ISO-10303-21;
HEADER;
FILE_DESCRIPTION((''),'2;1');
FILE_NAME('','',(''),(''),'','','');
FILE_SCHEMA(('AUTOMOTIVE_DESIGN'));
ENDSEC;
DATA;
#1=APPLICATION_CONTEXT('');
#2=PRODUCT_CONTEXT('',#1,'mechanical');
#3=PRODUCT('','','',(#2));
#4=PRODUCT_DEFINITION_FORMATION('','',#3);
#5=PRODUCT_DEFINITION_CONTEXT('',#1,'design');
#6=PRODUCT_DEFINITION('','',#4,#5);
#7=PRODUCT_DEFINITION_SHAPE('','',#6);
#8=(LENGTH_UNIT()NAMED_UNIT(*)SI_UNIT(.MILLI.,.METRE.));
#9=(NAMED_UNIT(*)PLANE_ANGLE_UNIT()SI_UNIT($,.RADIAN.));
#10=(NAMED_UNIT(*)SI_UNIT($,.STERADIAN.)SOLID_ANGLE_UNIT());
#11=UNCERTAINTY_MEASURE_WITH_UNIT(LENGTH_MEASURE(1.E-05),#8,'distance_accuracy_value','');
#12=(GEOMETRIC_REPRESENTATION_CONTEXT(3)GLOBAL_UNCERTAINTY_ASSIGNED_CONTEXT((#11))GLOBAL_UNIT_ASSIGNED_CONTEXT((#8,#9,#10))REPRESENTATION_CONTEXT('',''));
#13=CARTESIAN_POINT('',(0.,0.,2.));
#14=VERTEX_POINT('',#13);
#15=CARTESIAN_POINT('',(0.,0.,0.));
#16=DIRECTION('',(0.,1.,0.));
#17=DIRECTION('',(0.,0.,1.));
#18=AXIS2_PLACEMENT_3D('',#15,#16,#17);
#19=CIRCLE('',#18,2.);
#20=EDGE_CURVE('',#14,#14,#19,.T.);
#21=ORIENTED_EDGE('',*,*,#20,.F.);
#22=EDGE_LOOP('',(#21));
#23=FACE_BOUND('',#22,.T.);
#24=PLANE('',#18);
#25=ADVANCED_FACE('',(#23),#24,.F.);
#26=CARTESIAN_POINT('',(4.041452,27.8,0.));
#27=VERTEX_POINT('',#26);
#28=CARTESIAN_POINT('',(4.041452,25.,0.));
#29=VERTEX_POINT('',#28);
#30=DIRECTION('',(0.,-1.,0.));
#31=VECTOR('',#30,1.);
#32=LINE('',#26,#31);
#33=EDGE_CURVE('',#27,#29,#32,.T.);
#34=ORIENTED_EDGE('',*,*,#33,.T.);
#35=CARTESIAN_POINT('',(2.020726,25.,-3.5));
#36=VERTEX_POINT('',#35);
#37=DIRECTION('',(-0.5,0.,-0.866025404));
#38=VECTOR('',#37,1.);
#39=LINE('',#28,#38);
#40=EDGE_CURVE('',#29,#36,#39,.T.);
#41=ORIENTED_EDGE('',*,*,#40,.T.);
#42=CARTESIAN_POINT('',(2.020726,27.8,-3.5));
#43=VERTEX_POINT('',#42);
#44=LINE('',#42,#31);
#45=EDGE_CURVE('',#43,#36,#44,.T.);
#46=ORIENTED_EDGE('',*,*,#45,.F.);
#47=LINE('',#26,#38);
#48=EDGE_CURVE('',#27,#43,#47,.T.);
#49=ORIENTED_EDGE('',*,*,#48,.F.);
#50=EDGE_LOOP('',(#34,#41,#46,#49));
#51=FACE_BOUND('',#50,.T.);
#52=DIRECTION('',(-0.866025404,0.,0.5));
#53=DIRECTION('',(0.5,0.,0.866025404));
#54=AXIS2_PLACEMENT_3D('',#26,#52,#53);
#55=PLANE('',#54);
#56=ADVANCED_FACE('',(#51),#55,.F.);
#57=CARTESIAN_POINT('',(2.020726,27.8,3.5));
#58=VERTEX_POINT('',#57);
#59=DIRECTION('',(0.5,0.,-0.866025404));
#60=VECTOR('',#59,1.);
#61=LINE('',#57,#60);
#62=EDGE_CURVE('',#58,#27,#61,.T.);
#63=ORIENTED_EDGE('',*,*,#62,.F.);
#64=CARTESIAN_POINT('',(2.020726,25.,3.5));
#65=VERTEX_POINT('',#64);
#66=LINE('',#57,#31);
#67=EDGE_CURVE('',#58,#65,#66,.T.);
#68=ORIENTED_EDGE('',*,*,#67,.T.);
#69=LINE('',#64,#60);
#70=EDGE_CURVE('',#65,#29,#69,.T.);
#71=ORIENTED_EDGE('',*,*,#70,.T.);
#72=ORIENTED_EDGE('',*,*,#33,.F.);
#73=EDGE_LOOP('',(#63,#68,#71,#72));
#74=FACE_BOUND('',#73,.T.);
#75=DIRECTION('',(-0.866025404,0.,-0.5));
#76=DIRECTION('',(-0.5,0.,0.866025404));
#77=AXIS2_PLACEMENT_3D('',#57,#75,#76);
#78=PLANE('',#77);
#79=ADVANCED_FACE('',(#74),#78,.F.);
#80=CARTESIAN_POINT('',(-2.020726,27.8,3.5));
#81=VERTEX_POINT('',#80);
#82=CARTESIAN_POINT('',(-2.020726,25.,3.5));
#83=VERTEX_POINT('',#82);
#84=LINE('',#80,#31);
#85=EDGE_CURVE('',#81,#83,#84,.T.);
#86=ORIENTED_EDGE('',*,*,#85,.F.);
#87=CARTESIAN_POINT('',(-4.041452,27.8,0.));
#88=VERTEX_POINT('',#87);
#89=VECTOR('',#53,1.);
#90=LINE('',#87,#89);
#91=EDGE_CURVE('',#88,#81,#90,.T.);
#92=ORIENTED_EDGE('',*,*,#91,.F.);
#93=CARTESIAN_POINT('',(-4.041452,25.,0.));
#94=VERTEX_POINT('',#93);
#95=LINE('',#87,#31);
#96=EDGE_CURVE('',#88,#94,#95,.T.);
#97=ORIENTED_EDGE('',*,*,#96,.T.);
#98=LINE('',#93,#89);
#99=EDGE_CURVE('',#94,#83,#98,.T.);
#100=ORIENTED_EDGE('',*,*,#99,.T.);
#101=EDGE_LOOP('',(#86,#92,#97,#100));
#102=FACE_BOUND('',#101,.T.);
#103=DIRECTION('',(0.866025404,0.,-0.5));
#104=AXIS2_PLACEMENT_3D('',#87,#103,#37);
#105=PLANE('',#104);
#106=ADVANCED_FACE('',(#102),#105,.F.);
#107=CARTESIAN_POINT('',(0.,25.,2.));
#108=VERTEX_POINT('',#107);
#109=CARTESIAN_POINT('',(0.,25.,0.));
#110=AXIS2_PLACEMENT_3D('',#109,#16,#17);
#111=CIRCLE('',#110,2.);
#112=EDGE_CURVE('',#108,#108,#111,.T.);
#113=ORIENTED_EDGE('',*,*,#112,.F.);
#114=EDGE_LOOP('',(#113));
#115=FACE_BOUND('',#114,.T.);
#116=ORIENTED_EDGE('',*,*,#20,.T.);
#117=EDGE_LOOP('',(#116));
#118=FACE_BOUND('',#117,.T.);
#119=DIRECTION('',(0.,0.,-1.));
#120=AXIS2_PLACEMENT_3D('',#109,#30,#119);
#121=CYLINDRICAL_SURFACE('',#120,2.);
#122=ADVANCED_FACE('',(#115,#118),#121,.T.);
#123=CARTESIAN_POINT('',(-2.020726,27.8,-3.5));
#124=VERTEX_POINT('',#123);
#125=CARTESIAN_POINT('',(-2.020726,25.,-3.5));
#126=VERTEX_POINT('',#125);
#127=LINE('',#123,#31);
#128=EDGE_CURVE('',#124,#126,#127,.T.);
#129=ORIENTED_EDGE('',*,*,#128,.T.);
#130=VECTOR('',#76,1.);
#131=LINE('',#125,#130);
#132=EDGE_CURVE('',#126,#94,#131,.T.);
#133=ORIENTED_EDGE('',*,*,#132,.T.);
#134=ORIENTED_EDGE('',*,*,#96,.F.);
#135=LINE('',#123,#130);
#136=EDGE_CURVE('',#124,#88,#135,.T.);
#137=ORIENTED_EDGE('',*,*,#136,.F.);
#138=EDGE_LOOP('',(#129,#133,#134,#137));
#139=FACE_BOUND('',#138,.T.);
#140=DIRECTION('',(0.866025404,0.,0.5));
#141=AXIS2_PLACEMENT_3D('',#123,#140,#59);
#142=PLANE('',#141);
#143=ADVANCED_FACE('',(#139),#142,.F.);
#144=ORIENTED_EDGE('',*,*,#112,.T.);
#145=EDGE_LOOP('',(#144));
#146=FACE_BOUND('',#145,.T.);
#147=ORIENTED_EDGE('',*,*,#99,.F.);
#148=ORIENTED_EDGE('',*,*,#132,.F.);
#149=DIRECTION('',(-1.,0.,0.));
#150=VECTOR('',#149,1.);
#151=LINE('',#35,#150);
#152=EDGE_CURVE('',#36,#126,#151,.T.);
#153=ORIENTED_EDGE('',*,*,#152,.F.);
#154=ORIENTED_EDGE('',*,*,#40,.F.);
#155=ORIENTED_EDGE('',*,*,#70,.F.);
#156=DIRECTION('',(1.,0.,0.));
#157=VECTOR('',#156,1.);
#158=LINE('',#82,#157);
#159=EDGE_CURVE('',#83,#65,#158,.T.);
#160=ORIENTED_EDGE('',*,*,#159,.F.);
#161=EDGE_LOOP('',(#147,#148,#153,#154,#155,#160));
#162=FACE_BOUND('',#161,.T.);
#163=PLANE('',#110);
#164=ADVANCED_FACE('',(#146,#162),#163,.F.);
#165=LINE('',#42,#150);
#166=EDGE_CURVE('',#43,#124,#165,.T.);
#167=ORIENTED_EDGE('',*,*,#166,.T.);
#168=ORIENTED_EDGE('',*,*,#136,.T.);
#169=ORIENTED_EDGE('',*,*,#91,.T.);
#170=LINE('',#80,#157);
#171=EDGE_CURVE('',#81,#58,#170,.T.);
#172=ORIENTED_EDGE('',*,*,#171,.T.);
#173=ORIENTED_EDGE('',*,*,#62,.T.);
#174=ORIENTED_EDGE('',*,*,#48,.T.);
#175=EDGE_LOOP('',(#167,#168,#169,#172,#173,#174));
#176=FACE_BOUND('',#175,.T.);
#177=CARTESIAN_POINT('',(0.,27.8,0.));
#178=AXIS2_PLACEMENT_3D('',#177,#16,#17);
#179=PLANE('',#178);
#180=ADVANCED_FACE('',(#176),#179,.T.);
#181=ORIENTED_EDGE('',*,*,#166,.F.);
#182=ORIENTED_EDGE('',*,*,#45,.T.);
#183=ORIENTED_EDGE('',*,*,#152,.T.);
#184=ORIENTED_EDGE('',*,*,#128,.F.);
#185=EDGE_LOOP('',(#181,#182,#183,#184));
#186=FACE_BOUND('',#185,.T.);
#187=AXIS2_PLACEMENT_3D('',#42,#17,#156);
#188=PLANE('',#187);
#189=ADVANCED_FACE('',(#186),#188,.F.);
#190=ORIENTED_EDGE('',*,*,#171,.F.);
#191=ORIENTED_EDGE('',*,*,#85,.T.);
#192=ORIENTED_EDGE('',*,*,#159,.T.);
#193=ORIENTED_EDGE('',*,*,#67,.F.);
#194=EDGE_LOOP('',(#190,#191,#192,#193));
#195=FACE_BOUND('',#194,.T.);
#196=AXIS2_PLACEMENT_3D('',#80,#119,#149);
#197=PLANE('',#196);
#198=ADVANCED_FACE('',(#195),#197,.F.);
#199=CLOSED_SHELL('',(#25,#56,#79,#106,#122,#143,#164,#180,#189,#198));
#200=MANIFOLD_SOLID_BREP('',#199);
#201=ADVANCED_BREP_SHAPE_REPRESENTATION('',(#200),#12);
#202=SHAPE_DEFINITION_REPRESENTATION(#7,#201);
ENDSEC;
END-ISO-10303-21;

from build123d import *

# Parameters (mm, degrees)
SKETCH_1_R      = 2
EXTRUDE_1_DEPTH = 25
EXTRUDE_2_DEPTH = 2.8


with BuildPart() as part:
    # 草图1 → 凸台-拉伸1 (new body)
    with BuildSketch(Plane(origin=(0, 0, 0), x_dir=(1, 0, 0), z_dir=(0, 1, 0))):
        with Locations(Location((0, 0, 0), (0, 0, 270))):
            Circle(SKETCH_1_R)
    extrude(amount=EXTRUDE_1_DEPTH)

    # 草图2 → 凸台-拉伸2 (add)
    with BuildSketch(Plane(origin=(0, 25, 0), x_dir=(1, 0, 0), z_dir=(0, 1, 0))):
        Polygon((4.041451884, 0), (2.020725942, 3.5), (-2.020725942, 3.5), (-4.041451884, 0), (-2.020725942, -3.5), (2.020725942, -3.5), align=None)
    extrude(amount=EXTRUDE_2_DEPTH)


solid = part.part
